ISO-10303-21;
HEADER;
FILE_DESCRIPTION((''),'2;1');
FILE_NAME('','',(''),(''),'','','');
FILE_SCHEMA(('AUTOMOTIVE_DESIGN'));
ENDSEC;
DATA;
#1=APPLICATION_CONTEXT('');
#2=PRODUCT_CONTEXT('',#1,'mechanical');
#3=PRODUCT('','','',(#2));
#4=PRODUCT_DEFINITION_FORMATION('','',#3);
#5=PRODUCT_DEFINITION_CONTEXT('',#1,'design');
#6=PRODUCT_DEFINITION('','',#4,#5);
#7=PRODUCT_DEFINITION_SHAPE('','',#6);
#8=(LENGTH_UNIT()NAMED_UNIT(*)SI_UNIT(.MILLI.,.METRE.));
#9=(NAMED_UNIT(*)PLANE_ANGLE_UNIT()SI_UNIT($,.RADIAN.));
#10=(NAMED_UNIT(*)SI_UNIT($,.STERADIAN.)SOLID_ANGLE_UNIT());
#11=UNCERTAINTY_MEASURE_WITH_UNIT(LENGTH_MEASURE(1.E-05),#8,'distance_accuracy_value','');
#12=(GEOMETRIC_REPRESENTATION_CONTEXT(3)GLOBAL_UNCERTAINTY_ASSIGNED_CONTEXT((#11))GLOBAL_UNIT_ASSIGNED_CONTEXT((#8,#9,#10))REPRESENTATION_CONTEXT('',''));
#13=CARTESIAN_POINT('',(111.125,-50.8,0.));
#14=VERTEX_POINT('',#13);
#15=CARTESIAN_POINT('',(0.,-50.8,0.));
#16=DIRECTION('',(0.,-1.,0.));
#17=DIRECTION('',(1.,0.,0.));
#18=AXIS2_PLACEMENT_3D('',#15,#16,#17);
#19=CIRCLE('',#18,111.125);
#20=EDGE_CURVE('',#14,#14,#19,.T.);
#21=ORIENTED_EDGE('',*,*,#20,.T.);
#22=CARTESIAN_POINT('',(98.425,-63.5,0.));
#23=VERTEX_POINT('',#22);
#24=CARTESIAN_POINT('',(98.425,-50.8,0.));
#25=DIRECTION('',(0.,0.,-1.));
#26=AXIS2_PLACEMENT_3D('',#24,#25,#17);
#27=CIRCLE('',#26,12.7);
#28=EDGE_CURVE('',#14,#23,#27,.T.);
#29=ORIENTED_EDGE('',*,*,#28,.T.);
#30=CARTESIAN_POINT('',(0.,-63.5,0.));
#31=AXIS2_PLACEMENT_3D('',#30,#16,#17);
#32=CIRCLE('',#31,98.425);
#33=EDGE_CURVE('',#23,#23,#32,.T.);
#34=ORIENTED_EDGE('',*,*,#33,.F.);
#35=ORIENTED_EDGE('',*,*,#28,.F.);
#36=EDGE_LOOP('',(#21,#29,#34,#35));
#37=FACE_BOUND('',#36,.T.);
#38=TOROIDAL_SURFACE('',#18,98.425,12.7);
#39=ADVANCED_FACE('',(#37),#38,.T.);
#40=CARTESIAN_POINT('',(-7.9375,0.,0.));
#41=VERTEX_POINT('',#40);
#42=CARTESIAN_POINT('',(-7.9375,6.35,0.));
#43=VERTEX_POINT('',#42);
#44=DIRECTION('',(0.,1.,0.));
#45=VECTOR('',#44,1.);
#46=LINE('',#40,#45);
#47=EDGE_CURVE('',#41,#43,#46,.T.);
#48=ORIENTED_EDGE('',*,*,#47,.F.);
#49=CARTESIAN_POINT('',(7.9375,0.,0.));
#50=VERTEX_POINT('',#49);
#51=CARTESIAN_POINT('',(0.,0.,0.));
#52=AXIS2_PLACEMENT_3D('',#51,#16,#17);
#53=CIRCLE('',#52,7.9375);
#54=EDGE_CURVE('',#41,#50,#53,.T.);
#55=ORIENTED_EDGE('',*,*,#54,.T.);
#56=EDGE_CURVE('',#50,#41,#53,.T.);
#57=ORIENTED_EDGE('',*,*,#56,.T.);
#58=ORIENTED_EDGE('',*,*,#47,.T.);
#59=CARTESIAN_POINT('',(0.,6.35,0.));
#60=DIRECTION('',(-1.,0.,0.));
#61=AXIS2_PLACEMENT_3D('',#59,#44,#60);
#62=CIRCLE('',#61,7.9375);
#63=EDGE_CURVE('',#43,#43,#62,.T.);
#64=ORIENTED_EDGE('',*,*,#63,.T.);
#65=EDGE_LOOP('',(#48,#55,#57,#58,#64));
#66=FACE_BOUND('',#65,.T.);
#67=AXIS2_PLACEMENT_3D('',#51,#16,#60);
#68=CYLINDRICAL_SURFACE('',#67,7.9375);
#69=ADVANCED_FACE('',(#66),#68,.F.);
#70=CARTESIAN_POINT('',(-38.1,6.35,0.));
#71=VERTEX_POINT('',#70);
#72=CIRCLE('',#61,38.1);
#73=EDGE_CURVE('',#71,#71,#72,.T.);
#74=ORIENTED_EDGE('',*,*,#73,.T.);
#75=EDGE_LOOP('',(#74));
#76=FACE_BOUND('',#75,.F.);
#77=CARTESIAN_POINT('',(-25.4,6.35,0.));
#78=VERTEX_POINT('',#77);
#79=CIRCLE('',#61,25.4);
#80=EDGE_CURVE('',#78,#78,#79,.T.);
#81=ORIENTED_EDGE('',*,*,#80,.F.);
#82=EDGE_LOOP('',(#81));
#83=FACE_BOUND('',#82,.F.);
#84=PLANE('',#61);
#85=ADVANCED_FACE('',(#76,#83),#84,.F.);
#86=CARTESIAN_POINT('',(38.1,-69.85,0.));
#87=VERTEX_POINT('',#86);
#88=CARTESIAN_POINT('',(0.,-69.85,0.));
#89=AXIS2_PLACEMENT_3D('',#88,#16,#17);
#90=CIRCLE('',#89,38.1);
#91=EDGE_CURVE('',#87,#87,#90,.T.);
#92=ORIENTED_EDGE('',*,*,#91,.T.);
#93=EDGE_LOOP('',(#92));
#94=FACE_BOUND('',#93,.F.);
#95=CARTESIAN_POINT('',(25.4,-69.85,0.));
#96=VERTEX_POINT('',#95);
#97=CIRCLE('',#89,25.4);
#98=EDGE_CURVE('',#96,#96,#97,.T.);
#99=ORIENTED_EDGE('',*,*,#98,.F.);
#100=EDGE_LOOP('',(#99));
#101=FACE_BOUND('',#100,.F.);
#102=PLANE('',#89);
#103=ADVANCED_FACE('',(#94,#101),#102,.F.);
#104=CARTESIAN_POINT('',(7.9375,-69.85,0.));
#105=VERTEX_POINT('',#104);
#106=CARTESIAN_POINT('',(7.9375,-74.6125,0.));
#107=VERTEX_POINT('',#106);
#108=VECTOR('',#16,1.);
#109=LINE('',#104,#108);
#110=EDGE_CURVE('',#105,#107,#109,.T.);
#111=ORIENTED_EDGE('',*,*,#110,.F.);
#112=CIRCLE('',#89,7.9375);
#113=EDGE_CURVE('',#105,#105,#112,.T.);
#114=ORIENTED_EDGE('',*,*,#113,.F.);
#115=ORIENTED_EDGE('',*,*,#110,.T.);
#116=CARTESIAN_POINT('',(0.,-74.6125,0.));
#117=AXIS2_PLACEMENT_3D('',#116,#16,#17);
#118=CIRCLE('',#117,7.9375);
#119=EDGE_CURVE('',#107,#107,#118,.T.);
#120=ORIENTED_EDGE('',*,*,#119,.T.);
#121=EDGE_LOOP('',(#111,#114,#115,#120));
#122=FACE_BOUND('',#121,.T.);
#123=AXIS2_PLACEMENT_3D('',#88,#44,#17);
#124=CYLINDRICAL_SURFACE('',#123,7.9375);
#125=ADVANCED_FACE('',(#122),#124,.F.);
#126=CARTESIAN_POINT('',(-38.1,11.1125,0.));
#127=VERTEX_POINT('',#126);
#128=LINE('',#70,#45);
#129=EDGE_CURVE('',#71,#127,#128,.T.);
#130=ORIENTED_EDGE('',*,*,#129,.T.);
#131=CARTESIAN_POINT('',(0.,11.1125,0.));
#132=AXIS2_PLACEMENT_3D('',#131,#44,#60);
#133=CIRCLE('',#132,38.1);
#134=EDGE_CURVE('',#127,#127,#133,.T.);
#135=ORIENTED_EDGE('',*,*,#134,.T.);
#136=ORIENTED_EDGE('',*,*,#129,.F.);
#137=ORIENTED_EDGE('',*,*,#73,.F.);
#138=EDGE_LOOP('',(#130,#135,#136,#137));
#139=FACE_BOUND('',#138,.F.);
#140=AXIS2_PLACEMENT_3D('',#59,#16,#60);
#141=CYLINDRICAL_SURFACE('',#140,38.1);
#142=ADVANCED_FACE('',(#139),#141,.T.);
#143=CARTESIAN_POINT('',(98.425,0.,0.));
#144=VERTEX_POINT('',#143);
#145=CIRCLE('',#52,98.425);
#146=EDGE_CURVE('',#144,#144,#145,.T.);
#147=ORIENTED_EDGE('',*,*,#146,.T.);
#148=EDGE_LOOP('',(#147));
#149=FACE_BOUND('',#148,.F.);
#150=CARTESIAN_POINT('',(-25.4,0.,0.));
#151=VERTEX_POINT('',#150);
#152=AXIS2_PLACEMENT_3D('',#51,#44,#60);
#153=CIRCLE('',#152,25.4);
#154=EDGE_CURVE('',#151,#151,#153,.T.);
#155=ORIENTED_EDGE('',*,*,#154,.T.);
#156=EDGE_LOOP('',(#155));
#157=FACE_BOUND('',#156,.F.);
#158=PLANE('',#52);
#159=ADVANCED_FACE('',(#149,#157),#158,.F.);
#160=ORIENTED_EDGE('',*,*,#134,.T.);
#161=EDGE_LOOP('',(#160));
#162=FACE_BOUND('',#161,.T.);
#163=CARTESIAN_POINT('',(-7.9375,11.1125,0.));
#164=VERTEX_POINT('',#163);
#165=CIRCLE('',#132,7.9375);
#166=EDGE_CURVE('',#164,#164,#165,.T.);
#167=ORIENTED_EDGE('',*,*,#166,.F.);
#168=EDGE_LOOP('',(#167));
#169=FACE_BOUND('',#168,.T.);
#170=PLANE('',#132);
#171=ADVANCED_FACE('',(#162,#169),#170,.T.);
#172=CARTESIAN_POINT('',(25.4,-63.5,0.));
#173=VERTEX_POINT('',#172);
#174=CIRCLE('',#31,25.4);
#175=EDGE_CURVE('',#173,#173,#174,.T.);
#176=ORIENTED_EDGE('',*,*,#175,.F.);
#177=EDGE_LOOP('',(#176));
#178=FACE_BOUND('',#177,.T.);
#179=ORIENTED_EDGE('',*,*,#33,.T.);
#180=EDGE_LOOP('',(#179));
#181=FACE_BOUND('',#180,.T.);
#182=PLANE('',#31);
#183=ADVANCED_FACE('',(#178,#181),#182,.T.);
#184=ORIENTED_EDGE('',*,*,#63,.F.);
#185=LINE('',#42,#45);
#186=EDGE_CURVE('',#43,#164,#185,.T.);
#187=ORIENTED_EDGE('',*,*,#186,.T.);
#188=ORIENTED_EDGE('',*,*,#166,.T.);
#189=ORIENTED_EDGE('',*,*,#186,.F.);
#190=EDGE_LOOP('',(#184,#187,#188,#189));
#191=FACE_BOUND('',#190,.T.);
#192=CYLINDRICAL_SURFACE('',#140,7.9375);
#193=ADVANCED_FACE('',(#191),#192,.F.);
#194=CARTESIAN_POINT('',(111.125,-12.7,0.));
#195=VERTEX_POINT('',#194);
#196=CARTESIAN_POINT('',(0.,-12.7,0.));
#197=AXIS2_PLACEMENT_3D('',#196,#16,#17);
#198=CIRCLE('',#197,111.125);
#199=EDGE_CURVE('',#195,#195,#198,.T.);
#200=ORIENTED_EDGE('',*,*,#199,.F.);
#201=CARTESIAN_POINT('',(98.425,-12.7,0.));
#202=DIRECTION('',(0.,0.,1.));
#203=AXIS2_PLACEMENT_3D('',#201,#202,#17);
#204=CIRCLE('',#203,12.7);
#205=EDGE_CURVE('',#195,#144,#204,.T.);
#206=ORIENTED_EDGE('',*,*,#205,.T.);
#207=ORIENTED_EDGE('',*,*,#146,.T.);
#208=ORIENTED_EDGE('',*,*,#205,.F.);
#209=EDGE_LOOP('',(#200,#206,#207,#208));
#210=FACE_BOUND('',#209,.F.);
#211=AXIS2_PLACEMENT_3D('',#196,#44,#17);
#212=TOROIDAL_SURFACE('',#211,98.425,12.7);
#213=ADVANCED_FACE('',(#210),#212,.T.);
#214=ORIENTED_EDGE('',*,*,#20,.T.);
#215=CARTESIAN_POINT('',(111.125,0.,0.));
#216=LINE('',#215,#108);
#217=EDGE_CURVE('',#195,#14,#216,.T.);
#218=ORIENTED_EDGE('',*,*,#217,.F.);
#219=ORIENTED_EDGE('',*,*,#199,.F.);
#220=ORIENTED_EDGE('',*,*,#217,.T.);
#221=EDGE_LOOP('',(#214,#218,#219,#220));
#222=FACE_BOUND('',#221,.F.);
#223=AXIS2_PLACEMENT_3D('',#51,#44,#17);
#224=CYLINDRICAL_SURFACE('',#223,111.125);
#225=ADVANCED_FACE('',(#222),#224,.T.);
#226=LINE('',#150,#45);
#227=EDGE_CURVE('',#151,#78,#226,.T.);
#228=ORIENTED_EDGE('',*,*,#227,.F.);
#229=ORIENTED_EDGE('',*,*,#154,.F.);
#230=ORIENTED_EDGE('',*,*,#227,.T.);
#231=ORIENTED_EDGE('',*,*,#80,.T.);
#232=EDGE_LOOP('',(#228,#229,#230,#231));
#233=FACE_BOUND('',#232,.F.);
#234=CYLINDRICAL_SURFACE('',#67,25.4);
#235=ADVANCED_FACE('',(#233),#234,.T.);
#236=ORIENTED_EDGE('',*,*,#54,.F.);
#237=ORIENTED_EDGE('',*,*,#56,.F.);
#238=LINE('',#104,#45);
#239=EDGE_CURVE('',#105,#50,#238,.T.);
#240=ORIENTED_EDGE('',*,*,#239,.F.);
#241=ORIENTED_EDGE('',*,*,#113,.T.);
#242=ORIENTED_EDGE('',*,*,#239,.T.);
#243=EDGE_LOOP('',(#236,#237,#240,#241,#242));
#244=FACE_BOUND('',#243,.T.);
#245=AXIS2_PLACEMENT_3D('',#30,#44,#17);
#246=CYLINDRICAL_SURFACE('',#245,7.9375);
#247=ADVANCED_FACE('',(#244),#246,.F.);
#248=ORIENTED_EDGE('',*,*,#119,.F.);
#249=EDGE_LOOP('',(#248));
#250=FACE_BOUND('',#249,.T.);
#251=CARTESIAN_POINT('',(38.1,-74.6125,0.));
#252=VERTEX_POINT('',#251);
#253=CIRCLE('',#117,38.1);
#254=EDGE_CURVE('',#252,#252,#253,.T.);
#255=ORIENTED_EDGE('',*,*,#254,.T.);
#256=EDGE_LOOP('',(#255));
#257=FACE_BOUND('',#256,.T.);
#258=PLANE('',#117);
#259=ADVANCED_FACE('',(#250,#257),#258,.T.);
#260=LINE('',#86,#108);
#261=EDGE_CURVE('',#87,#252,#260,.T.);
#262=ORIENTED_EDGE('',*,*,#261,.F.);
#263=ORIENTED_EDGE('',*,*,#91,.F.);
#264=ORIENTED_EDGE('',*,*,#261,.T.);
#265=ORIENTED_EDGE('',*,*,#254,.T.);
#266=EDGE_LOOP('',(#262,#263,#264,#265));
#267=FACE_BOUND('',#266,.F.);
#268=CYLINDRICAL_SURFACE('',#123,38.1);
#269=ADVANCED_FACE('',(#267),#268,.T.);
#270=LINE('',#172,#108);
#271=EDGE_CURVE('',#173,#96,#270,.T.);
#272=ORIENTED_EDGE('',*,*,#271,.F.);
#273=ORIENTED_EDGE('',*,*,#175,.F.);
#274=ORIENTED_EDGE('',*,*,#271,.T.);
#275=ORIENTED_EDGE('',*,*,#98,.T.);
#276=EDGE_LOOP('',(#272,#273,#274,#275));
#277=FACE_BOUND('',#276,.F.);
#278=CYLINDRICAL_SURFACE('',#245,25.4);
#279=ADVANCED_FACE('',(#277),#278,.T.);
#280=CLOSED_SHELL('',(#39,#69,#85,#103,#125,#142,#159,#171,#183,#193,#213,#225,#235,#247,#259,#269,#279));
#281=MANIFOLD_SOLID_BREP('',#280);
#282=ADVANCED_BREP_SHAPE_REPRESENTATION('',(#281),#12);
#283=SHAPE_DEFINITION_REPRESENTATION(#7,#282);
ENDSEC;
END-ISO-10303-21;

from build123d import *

# Parameters (mm, degrees)
F0_R      = 111.125
F0_R_2    = 7.9375
F1_DEPTH  = 63.5
F2_R      = 12.7
F3_R      = 12.7
F4_R      = 25.4
F4_R_2    = 7.9375
F5_DEPTH  = 6.35
F6_R      = 38.1
F6_R_2    = 25.4
F7_DEPTH  = 4.7625
F8_R      = 25.4
F8_R_2    = 7.9375
F9_DEPTH  = 6.35
F10_R     = 38.1
F10_R_2   = 25.4
F11_DEPTH = 4.7625
F14_R     = 38.1
F14_R_2   = 25.4
F14_R_3   = 7.9375
F15_DEPTH = 4.7625
F16_R     = 38.1
F16_R_2   = 25.4
F16_R_3   = 7.9375
F17_DEPTH = 4.7625


with BuildPart() as f1:
    # F0 (on Front) → F1 (new body)
    with BuildSketch(Plane.XZ):
        Circle(F0_R)
        Circle(F0_R_2, mode=Mode.SUBTRACT)
    extrude(amount=F1_DEPTH)

    # F2
    f2_edges = [f1.edges().sort_by_distance(p)[0] for p in [
        (-111.125, -63.5, 0),
    ]]
    fillet(f2_edges, radius=F2_R)

    # F3
    f3_edges = [f1.edges().sort_by_distance(p)[0] for p in [
        (-111.125, 0, 0),
    ]]
    fillet(f3_edges, radius=F3_R)

    # F4 (on face) → F5 (join)
    with BuildSketch(Plane.XZ.offset(63.5)):
        Circle(F4_R)
        Circle(F4_R_2, mode=Mode.SUBTRACT)
    extrude(amount=F5_DEPTH)

    # F8 (on face) → F9 (join)
    with BuildSketch(Plane(origin=(0, 0, 0), x_dir=(-1, 0, 0), z_dir=(0, 1, 0))):
        Circle(F8_R)
        Circle(F8_R_2, mode=Mode.SUBTRACT)
    extrude(amount=F9_DEPTH)

    # F14 (on face) → F15 (join)
    with BuildSketch(Plane.XZ.offset(69.85)):
        Circle(F14_R)
        Circle(F14_R_2, mode=Mode.SUBTRACT)
        Circle(F14_R_2)
        Circle(F14_R_3, mode=Mode.SUBTRACT)
    extrude(amount=F15_DEPTH)

    # F16 (on face) → F17 (join)
    with BuildSketch(Plane(origin=(0, 6.35, 0), x_dir=(-1, 0, 0), z_dir=(0, 1, 0))):
        Circle(F16_R)
        Circle(F16_R_2, mode=Mode.SUBTRACT)
        Circle(F16_R_2)
        Circle(F16_R_3, mode=Mode.SUBTRACT)
    extrude(amount=F17_DEPTH)


with BuildPart() as f7:
    # F6 (on face) → F7 (new body)
    with BuildSketch(Plane.XZ.offset(69.85)):
        Circle(F6_R)
        Circle(F6_R_2, mode=Mode.SUBTRACT)
    extrude(amount=F7_DEPTH)


with BuildPart() as f11:
    # F10 (on face) → F11 (new body)
    with BuildSketch(Plane(origin=(0, 6.35, 0), x_dir=(-1, 0, 0), z_dir=(0, 1, 0))):
        Circle(F10_R)
        Circle(F10_R_2, mode=Mode.SUBTRACT)
    extrude(amount=F11_DEPTH)


solid = f1.part
